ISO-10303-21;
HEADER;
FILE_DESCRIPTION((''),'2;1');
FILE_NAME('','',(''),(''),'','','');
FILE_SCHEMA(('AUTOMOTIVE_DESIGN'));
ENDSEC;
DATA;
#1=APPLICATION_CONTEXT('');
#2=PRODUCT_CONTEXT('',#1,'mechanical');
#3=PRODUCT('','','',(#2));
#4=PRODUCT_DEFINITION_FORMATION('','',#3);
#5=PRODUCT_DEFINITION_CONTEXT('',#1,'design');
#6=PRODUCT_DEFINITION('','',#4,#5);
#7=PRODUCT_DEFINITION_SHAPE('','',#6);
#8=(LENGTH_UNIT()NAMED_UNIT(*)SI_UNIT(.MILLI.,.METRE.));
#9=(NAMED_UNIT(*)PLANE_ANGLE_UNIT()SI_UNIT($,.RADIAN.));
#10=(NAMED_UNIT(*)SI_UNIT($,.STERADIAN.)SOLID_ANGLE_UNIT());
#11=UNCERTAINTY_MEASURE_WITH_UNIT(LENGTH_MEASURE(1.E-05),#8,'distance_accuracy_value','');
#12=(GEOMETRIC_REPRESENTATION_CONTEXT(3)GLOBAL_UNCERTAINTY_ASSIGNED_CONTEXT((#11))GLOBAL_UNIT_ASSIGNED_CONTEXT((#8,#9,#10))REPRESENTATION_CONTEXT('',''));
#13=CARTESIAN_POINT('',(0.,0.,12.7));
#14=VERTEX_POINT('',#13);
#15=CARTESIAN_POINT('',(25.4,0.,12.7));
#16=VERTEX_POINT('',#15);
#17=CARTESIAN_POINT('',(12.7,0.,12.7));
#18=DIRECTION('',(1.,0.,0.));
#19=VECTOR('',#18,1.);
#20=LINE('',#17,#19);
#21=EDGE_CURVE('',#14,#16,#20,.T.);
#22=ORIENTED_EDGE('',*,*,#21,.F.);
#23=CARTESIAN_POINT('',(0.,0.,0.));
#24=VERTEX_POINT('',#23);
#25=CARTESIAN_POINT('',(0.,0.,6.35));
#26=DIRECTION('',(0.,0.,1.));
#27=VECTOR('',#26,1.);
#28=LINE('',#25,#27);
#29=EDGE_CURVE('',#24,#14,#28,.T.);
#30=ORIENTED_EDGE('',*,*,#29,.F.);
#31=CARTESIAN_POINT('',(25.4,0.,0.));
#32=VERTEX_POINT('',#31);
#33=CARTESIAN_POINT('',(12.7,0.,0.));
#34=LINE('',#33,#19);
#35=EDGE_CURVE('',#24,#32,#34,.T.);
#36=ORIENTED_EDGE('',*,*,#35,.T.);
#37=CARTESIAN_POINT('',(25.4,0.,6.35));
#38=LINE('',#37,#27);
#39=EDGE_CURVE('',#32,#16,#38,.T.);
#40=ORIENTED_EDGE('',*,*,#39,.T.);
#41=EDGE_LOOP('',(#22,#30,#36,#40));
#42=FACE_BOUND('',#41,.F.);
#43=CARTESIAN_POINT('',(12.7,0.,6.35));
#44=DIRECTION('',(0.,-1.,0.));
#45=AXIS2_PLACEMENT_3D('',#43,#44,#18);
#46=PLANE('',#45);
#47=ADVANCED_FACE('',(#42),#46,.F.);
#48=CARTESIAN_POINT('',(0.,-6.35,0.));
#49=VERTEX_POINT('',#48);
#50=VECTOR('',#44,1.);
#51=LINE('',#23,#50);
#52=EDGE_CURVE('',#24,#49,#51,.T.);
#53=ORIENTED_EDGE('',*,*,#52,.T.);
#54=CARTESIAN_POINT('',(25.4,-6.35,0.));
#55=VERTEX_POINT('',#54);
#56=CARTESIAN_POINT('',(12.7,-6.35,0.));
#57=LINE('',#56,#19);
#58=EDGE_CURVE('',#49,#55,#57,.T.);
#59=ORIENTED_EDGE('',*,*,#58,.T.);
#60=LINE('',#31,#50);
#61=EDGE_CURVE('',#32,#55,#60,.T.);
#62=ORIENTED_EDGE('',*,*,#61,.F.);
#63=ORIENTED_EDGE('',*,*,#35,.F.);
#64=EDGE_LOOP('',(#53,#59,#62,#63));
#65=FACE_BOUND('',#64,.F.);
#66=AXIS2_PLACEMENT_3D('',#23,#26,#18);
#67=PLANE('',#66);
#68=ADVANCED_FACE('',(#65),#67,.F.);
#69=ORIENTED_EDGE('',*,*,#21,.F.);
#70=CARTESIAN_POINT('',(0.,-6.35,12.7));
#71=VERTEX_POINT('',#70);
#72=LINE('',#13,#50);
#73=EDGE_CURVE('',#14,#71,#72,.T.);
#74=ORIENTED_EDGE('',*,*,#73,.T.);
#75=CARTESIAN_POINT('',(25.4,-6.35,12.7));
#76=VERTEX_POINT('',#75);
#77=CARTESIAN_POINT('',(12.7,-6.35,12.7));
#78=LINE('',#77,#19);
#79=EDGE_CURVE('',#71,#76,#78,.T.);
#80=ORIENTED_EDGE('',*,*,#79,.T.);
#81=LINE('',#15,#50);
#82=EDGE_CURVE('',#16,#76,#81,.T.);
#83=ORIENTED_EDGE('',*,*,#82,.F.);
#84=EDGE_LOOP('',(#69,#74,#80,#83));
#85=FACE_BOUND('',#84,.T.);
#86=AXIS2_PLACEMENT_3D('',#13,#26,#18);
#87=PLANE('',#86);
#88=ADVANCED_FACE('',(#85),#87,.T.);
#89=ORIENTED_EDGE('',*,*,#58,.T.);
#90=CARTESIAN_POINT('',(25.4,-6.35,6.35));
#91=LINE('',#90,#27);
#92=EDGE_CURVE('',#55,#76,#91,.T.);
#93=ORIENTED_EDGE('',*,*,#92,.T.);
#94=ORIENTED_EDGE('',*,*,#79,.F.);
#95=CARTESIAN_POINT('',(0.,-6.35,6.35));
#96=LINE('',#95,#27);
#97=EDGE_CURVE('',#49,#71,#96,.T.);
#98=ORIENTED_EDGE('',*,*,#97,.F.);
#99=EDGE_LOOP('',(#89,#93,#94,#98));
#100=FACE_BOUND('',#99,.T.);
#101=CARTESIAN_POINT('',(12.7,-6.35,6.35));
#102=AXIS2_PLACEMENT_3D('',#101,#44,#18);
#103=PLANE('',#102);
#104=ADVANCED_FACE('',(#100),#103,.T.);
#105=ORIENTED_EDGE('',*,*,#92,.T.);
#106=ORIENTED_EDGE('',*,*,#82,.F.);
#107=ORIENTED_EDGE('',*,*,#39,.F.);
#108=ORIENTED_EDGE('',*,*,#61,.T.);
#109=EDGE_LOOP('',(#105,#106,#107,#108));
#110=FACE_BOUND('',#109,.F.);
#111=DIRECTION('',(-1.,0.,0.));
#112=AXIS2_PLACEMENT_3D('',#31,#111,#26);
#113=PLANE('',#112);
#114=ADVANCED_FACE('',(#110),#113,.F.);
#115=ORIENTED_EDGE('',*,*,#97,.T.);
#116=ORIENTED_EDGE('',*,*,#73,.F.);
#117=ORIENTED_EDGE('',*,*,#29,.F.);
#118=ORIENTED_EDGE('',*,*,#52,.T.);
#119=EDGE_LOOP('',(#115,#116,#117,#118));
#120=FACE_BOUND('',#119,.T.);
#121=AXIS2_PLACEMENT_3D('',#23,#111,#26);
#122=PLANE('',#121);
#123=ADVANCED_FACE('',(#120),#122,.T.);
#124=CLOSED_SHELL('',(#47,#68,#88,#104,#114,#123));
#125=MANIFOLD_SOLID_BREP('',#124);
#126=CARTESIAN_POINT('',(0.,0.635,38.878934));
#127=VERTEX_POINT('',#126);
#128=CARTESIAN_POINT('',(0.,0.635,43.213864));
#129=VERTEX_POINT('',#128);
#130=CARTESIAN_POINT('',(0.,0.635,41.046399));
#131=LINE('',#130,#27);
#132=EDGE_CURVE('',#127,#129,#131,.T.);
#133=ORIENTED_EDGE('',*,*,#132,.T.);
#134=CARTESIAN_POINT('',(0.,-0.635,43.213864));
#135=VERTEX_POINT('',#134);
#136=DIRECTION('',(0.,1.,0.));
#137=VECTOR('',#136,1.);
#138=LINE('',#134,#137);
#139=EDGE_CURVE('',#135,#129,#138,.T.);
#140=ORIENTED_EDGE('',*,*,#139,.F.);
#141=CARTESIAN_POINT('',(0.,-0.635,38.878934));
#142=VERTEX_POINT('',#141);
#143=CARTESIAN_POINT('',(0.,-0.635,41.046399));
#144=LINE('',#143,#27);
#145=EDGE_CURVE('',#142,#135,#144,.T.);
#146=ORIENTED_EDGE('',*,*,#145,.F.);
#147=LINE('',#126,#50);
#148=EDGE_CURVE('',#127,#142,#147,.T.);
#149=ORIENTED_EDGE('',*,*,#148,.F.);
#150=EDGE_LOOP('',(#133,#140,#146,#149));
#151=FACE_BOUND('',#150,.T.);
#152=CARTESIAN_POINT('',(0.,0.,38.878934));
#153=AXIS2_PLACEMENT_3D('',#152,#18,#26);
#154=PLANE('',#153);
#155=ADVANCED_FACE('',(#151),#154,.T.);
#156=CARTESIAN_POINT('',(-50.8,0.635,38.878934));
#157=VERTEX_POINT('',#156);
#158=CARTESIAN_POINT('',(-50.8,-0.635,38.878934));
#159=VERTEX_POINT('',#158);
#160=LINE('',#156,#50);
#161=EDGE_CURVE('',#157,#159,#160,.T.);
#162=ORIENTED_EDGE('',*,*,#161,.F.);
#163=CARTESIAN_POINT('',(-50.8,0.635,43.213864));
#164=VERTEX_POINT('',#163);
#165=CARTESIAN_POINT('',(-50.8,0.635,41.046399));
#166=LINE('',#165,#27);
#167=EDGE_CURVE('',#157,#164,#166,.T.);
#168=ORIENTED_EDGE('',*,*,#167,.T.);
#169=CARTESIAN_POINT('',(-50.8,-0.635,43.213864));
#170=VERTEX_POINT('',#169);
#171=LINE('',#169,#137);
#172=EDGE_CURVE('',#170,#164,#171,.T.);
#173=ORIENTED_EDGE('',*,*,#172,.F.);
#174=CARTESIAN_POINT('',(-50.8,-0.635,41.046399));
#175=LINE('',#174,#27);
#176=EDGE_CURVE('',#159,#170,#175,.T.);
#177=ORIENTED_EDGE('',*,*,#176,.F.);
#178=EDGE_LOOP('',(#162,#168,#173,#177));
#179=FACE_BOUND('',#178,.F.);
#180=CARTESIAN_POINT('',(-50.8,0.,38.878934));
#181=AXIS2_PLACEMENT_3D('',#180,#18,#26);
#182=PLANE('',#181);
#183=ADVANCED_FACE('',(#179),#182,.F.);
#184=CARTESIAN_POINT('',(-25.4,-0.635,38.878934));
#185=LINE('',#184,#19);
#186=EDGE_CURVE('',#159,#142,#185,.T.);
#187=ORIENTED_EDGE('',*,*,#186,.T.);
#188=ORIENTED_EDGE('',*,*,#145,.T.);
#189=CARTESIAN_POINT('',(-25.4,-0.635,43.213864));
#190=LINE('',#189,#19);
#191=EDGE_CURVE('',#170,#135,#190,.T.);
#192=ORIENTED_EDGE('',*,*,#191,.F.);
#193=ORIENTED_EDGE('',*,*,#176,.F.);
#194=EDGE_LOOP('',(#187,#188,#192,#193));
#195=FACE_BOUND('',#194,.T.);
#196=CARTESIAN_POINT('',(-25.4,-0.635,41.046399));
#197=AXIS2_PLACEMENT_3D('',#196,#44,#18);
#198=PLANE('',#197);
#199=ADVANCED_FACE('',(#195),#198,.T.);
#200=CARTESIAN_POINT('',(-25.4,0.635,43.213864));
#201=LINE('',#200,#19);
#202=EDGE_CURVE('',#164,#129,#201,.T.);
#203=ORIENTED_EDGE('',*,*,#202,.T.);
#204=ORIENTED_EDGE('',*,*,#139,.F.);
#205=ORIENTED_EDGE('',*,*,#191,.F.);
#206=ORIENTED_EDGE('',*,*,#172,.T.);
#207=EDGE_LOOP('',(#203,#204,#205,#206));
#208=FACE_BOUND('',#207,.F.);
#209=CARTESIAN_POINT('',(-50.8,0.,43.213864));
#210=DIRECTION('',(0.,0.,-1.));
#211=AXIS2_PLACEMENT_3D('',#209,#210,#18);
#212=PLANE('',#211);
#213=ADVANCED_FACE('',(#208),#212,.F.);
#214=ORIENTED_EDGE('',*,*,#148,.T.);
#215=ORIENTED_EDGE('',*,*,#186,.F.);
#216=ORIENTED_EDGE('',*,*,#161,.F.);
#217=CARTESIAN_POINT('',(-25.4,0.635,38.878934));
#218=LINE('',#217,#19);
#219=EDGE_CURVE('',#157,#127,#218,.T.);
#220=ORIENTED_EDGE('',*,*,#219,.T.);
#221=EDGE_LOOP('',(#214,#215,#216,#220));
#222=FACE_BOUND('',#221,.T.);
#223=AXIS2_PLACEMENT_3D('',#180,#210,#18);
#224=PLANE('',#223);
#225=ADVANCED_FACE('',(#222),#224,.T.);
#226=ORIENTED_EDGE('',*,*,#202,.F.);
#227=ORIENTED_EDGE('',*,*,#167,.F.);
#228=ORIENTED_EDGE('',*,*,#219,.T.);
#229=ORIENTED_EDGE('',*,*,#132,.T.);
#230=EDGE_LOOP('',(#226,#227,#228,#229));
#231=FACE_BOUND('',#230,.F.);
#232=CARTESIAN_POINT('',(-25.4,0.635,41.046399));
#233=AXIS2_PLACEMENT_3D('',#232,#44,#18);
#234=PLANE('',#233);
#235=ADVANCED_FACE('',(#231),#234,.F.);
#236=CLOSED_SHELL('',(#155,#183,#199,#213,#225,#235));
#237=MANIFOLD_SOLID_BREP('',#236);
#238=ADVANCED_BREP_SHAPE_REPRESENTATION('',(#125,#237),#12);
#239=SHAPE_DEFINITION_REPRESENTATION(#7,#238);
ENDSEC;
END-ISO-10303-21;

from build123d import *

# Parameters (mm, degrees)
F0_W     = 25.4
F0_H     = 12.7
F1_DEPTH = 6.35
F2_W     = 50.8
F2_H     = 4.334929
F3_DEPTH = 0.635


with BuildPart() as f1:
    # F0 (on Front) → F1 (new body)
    with BuildSketch(Plane.XZ):
        with Locations((12.7, 6.35)):
            Rectangle(F0_W, F0_H)
    extrude(amount=F1_DEPTH)


with BuildPart() as f3:
    # F2 (on Front) → F3 (new body, symmetric)
    with BuildSketch(Plane.XZ):
        with Locations((-25.4, 41.046399)):
            Rectangle(F2_W, F2_H)
    extrude(amount=F3_DEPTH, both=True)


solid = Compound([f1.part, f3.part])
